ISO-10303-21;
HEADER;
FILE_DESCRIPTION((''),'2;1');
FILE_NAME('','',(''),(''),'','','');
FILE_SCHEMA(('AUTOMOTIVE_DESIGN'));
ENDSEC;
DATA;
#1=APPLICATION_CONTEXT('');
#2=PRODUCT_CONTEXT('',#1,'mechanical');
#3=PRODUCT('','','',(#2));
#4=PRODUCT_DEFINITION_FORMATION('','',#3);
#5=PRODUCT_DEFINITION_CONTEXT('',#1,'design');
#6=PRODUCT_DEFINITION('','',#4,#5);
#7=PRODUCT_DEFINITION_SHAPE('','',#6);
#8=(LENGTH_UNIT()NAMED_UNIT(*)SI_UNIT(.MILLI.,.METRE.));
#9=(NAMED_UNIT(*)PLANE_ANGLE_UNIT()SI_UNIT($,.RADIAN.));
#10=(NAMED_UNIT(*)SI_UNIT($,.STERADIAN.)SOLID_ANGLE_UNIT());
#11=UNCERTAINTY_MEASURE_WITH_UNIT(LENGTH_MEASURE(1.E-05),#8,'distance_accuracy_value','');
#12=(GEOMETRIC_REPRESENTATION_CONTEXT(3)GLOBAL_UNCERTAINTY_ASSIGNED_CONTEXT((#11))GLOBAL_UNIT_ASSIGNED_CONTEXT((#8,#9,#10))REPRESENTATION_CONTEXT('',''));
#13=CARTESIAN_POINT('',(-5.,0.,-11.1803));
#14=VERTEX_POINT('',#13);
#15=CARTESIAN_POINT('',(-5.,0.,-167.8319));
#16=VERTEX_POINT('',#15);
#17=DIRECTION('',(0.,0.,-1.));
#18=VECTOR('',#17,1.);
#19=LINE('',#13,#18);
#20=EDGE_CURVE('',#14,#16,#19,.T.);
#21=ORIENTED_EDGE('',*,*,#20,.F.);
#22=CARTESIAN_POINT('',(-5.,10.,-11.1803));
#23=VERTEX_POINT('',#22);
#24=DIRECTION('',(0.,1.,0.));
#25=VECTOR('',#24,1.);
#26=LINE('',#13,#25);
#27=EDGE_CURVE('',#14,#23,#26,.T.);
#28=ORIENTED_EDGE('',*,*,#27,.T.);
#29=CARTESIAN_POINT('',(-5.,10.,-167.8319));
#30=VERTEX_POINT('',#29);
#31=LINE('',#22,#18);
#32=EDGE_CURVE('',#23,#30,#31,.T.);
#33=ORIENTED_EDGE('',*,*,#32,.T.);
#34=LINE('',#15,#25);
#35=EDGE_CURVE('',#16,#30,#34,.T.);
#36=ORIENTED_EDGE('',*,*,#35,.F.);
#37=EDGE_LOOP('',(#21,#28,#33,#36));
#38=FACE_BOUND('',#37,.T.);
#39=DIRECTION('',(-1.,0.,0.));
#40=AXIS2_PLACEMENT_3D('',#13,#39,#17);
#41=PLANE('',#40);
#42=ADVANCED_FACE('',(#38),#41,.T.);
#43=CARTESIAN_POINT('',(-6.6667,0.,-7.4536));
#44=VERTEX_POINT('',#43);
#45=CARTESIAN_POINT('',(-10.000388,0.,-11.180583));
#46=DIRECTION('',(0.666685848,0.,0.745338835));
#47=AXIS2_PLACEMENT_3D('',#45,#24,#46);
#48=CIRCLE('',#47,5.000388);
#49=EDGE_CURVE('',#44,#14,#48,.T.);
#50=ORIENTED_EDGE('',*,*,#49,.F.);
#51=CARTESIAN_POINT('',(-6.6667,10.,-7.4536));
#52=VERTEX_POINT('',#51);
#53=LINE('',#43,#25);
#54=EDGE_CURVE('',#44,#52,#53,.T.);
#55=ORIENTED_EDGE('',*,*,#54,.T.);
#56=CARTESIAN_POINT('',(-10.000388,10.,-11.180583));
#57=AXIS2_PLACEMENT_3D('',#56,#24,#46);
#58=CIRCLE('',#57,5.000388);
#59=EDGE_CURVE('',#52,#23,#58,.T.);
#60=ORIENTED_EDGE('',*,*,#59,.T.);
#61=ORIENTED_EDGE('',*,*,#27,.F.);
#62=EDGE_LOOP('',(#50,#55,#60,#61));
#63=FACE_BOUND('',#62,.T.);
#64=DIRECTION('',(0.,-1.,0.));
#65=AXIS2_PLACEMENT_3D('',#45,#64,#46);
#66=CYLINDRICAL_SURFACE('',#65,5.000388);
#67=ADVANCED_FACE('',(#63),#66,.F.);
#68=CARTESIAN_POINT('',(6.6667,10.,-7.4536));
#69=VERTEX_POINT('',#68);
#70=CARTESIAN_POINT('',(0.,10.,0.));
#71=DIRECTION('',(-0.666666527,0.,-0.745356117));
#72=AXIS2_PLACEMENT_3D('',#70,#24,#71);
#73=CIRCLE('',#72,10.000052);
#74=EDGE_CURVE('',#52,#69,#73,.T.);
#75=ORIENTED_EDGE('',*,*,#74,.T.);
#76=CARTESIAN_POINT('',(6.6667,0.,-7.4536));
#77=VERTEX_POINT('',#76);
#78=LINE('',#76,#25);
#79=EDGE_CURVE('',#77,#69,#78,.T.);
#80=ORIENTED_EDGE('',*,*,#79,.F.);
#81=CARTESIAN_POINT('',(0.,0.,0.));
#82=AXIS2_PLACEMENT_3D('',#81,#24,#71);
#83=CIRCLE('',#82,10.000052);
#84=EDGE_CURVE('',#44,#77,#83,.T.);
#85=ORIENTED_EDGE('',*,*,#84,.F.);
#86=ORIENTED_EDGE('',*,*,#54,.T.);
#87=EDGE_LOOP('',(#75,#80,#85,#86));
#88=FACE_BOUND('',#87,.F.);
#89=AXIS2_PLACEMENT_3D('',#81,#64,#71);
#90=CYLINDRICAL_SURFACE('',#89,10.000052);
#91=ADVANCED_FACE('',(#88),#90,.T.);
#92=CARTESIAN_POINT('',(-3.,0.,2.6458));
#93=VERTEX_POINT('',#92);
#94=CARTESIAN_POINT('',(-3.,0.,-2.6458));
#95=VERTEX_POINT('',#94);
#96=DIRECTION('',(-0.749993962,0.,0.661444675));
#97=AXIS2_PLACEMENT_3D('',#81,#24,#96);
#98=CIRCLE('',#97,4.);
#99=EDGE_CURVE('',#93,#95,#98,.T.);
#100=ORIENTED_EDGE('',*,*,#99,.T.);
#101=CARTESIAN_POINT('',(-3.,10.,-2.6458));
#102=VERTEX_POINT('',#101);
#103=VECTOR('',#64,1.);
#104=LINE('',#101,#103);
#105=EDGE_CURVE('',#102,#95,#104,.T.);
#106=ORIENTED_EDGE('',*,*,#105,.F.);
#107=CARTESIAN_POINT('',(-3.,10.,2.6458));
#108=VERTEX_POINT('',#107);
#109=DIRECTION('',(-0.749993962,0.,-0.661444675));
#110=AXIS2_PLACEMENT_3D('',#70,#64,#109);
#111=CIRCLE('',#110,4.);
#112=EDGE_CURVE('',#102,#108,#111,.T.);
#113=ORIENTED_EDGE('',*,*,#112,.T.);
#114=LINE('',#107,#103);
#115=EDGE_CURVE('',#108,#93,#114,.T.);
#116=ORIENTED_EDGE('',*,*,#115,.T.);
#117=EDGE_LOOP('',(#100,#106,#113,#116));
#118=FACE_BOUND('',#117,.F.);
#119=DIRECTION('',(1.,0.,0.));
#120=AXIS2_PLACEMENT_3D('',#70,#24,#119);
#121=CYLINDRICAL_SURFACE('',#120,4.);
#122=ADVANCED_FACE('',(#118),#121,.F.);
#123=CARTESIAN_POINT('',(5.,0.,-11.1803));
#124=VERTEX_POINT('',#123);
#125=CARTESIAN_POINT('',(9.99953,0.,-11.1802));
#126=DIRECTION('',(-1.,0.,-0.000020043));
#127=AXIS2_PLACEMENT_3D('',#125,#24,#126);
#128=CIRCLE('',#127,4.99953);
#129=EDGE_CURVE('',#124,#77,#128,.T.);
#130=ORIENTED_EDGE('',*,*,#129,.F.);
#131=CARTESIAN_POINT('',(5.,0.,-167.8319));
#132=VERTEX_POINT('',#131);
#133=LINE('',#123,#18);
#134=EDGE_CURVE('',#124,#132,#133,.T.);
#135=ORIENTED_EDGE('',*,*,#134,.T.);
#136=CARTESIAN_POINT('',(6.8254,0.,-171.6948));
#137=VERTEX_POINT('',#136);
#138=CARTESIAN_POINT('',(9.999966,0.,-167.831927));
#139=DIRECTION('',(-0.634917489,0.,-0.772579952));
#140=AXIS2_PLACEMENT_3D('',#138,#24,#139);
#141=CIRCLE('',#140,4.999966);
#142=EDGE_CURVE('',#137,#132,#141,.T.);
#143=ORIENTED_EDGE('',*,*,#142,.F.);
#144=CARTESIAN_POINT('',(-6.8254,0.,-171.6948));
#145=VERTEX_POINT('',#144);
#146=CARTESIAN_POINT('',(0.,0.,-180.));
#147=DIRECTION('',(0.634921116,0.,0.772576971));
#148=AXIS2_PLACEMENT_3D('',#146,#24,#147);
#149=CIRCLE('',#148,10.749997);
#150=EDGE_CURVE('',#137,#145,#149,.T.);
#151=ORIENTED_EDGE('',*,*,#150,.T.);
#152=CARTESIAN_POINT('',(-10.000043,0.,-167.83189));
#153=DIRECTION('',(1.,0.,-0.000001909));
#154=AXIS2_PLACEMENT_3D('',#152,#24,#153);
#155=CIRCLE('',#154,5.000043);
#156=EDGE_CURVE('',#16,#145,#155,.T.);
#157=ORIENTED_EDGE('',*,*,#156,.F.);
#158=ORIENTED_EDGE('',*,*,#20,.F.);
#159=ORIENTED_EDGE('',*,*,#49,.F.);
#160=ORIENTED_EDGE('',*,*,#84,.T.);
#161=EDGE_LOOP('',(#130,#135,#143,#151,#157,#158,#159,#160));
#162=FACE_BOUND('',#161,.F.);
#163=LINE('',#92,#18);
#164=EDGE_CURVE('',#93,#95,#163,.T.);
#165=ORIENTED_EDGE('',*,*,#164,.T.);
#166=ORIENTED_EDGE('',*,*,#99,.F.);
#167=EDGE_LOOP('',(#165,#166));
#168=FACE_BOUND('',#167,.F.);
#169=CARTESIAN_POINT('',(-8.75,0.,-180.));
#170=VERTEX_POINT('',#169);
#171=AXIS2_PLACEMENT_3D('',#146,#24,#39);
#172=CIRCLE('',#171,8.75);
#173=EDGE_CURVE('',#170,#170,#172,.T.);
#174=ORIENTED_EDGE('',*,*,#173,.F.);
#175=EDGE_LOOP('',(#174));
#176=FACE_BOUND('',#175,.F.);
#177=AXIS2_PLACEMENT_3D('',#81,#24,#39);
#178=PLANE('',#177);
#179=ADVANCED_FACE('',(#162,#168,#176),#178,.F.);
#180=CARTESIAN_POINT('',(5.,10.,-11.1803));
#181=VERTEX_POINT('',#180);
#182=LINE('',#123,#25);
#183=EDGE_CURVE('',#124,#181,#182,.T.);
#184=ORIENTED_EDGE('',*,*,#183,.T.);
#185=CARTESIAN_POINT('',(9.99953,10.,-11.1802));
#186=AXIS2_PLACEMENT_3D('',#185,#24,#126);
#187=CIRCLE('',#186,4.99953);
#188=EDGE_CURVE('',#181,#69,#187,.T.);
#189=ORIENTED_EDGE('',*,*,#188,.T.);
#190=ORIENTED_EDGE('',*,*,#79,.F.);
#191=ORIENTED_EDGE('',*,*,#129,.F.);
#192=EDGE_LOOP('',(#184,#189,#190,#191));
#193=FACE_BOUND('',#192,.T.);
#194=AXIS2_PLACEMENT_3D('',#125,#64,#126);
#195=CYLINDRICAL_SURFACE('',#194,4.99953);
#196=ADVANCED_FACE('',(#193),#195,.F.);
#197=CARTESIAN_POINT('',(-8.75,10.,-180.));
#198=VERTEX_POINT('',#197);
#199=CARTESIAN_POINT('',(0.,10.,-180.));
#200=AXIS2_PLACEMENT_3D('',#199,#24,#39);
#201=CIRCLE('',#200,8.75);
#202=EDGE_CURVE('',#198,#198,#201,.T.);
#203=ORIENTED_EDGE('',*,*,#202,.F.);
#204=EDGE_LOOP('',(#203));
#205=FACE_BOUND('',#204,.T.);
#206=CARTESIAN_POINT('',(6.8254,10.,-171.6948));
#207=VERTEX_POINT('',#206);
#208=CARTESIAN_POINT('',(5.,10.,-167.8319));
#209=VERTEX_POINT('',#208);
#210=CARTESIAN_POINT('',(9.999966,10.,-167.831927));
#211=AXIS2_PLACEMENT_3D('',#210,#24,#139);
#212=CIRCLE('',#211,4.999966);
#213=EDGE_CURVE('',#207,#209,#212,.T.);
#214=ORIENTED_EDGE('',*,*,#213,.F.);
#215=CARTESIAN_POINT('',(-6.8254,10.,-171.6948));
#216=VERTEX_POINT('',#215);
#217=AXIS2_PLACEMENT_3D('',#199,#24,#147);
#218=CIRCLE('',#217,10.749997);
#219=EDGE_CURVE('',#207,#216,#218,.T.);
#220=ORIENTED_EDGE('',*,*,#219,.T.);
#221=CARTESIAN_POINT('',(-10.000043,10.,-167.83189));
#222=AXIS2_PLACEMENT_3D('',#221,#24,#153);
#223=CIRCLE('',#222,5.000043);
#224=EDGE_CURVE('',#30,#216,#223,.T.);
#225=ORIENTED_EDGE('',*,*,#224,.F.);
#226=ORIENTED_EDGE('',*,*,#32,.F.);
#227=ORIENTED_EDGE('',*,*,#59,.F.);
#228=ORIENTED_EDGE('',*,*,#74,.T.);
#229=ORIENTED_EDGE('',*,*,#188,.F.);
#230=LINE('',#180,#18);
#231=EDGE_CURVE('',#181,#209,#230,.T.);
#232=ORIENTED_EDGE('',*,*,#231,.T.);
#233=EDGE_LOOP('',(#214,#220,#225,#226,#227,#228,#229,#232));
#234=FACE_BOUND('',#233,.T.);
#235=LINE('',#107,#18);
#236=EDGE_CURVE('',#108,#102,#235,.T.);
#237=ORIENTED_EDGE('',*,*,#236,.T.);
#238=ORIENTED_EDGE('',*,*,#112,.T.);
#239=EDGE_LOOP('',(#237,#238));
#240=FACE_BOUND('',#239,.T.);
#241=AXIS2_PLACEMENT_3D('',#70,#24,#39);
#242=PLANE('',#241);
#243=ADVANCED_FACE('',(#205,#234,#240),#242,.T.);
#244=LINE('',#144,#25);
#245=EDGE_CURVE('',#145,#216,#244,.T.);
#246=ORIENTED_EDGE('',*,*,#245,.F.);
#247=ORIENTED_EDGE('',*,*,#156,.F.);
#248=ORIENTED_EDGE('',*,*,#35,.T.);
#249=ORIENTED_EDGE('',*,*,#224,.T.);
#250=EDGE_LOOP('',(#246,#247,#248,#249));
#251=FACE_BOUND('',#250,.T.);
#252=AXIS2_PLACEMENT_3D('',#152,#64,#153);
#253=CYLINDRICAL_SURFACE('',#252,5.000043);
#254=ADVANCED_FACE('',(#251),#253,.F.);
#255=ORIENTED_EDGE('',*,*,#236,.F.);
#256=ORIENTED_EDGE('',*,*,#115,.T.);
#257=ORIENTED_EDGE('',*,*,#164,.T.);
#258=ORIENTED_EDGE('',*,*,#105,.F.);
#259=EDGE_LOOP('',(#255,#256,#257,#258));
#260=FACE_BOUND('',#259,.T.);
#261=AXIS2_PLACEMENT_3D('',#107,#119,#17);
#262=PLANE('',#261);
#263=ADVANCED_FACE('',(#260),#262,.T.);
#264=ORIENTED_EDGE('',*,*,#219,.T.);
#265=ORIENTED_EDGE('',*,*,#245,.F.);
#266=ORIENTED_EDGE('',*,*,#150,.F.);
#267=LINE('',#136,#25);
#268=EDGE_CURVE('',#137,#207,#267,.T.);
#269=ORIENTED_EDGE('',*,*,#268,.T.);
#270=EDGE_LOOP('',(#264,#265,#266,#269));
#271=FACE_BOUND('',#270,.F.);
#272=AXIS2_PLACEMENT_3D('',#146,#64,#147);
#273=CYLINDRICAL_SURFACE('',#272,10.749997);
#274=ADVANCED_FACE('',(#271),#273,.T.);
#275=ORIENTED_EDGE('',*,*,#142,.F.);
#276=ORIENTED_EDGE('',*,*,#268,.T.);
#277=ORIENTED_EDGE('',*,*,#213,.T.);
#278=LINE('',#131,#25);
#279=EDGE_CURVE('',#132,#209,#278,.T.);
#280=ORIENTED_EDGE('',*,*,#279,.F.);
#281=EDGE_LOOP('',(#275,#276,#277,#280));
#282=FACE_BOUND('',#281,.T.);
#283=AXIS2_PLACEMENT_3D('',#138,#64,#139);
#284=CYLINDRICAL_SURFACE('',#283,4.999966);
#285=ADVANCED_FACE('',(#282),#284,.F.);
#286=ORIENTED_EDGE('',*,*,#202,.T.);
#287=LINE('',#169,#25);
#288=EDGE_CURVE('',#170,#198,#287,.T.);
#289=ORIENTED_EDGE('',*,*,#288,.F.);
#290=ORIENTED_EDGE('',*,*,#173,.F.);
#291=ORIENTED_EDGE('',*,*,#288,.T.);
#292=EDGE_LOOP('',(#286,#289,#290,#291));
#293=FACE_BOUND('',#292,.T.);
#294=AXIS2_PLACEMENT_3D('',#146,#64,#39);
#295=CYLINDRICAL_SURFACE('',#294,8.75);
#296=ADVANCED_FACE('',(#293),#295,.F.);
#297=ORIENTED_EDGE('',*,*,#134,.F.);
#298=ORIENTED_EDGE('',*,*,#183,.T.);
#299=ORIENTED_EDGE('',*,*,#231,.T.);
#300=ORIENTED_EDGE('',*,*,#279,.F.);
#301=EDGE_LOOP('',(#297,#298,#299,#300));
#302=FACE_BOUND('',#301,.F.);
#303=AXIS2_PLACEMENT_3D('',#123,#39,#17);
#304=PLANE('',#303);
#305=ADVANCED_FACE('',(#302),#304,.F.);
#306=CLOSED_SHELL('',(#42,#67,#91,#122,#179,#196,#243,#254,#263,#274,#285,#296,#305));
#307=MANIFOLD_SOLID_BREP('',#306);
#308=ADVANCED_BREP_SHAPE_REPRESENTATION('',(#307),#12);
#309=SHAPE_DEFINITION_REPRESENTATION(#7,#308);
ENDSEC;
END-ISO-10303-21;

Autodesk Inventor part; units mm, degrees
ref_plane "YZ Plane" through (0, 0, 0) normal (1, 0, 0) x (0, 1, 0)
ref_plane "XZ Plane" through (0, 0, 0) normal (0, 1, 0) x (-1, 0, 0)
ref_plane "XY Plane" through (0, 0, 0) normal (0, 0, 1) x (1, 0, 0)
sketch "Boceto2" plane through (0, 0, 0) normal (0, 1, 0) x (-1, 0, 0)
  arc A0 (5, 0) -> (-5, 0) centre (0, 0) ccw
  arc A1 (1.2, 2.1932) -> (1.2, -2.1932) centre (0, 0) ccw
  line L0 (1.2, 2.1932) -> (1.2, -2.1932)
  line L1 (0, 0) -> (0, -180) construction
  circle A2 centre (0, -180) radius 8.75
  arc A3 (-6.8254, -171.6948) -> (6.8254, -171.6948) centre (0, -180) ccw
  line L2 (5, -11.1803) -> (5, -167.8319)
  line L3 (-5, -11.1803) -> (-5, -167.8319)
  arc A4 (-6.8254, -171.6948) -> (-5, -167.8319) centre (-10, -167.8319) ccw
  arc A5 (5, -167.8319) -> (6.8254, -171.6948) centre (10, -167.8319) ccw
  arc A6 (6.6667, -7.4536) -> (-6.6667, -7.4536) centre (0, 0) ccw
  arc A7 (6.6667, -7.4536) -> (5, -11.1803) centre (10, -11.1803) ccw
  arc A8 (-5, -11.1803) -> (-6.6667, -7.4536) centre (-10, -11.1803) ccw
  point P0 (-5, -170.4836)
  point P1 (5, -170.4836)
  point P2 (5, -8.6603)
  point P3 (-5, -8.6603)
  dimension "d13" = 10
  dimension "d14" = 5
  dimension "d15" = 1.2
  dimension "d16" = 180
  dimension "d17" = 17.5
  dimension "d18" = 2
  dimension "d19" = 5
  dimension "d27" = 20
  dimension "d28" = 5
  dimension "d29" = 5
extrude "Extrusión2" add sketch "Boceto2" along normal blind 10
sketch "Boceto3" plane through (0, 10, 0) normal (0, 1, 0) x (1, 0, 0)
  circle A0 centre (0, 0) radius 4
  line L0 (-3, -2.6458) -> (-3, 2.6458)
  line L1 (-3, -2.6458) -> (4.3142, -2.6458) construction
  dimension "d22" = 8
  dimension "d25" = 90
  dimension "d26" = 3
extrude "Extrusión3" cut sketch "Boceto3" against normal blind 10 contours A0 L0 picked at (0.3596, 0.8073)
properties part number "eslabon2"
